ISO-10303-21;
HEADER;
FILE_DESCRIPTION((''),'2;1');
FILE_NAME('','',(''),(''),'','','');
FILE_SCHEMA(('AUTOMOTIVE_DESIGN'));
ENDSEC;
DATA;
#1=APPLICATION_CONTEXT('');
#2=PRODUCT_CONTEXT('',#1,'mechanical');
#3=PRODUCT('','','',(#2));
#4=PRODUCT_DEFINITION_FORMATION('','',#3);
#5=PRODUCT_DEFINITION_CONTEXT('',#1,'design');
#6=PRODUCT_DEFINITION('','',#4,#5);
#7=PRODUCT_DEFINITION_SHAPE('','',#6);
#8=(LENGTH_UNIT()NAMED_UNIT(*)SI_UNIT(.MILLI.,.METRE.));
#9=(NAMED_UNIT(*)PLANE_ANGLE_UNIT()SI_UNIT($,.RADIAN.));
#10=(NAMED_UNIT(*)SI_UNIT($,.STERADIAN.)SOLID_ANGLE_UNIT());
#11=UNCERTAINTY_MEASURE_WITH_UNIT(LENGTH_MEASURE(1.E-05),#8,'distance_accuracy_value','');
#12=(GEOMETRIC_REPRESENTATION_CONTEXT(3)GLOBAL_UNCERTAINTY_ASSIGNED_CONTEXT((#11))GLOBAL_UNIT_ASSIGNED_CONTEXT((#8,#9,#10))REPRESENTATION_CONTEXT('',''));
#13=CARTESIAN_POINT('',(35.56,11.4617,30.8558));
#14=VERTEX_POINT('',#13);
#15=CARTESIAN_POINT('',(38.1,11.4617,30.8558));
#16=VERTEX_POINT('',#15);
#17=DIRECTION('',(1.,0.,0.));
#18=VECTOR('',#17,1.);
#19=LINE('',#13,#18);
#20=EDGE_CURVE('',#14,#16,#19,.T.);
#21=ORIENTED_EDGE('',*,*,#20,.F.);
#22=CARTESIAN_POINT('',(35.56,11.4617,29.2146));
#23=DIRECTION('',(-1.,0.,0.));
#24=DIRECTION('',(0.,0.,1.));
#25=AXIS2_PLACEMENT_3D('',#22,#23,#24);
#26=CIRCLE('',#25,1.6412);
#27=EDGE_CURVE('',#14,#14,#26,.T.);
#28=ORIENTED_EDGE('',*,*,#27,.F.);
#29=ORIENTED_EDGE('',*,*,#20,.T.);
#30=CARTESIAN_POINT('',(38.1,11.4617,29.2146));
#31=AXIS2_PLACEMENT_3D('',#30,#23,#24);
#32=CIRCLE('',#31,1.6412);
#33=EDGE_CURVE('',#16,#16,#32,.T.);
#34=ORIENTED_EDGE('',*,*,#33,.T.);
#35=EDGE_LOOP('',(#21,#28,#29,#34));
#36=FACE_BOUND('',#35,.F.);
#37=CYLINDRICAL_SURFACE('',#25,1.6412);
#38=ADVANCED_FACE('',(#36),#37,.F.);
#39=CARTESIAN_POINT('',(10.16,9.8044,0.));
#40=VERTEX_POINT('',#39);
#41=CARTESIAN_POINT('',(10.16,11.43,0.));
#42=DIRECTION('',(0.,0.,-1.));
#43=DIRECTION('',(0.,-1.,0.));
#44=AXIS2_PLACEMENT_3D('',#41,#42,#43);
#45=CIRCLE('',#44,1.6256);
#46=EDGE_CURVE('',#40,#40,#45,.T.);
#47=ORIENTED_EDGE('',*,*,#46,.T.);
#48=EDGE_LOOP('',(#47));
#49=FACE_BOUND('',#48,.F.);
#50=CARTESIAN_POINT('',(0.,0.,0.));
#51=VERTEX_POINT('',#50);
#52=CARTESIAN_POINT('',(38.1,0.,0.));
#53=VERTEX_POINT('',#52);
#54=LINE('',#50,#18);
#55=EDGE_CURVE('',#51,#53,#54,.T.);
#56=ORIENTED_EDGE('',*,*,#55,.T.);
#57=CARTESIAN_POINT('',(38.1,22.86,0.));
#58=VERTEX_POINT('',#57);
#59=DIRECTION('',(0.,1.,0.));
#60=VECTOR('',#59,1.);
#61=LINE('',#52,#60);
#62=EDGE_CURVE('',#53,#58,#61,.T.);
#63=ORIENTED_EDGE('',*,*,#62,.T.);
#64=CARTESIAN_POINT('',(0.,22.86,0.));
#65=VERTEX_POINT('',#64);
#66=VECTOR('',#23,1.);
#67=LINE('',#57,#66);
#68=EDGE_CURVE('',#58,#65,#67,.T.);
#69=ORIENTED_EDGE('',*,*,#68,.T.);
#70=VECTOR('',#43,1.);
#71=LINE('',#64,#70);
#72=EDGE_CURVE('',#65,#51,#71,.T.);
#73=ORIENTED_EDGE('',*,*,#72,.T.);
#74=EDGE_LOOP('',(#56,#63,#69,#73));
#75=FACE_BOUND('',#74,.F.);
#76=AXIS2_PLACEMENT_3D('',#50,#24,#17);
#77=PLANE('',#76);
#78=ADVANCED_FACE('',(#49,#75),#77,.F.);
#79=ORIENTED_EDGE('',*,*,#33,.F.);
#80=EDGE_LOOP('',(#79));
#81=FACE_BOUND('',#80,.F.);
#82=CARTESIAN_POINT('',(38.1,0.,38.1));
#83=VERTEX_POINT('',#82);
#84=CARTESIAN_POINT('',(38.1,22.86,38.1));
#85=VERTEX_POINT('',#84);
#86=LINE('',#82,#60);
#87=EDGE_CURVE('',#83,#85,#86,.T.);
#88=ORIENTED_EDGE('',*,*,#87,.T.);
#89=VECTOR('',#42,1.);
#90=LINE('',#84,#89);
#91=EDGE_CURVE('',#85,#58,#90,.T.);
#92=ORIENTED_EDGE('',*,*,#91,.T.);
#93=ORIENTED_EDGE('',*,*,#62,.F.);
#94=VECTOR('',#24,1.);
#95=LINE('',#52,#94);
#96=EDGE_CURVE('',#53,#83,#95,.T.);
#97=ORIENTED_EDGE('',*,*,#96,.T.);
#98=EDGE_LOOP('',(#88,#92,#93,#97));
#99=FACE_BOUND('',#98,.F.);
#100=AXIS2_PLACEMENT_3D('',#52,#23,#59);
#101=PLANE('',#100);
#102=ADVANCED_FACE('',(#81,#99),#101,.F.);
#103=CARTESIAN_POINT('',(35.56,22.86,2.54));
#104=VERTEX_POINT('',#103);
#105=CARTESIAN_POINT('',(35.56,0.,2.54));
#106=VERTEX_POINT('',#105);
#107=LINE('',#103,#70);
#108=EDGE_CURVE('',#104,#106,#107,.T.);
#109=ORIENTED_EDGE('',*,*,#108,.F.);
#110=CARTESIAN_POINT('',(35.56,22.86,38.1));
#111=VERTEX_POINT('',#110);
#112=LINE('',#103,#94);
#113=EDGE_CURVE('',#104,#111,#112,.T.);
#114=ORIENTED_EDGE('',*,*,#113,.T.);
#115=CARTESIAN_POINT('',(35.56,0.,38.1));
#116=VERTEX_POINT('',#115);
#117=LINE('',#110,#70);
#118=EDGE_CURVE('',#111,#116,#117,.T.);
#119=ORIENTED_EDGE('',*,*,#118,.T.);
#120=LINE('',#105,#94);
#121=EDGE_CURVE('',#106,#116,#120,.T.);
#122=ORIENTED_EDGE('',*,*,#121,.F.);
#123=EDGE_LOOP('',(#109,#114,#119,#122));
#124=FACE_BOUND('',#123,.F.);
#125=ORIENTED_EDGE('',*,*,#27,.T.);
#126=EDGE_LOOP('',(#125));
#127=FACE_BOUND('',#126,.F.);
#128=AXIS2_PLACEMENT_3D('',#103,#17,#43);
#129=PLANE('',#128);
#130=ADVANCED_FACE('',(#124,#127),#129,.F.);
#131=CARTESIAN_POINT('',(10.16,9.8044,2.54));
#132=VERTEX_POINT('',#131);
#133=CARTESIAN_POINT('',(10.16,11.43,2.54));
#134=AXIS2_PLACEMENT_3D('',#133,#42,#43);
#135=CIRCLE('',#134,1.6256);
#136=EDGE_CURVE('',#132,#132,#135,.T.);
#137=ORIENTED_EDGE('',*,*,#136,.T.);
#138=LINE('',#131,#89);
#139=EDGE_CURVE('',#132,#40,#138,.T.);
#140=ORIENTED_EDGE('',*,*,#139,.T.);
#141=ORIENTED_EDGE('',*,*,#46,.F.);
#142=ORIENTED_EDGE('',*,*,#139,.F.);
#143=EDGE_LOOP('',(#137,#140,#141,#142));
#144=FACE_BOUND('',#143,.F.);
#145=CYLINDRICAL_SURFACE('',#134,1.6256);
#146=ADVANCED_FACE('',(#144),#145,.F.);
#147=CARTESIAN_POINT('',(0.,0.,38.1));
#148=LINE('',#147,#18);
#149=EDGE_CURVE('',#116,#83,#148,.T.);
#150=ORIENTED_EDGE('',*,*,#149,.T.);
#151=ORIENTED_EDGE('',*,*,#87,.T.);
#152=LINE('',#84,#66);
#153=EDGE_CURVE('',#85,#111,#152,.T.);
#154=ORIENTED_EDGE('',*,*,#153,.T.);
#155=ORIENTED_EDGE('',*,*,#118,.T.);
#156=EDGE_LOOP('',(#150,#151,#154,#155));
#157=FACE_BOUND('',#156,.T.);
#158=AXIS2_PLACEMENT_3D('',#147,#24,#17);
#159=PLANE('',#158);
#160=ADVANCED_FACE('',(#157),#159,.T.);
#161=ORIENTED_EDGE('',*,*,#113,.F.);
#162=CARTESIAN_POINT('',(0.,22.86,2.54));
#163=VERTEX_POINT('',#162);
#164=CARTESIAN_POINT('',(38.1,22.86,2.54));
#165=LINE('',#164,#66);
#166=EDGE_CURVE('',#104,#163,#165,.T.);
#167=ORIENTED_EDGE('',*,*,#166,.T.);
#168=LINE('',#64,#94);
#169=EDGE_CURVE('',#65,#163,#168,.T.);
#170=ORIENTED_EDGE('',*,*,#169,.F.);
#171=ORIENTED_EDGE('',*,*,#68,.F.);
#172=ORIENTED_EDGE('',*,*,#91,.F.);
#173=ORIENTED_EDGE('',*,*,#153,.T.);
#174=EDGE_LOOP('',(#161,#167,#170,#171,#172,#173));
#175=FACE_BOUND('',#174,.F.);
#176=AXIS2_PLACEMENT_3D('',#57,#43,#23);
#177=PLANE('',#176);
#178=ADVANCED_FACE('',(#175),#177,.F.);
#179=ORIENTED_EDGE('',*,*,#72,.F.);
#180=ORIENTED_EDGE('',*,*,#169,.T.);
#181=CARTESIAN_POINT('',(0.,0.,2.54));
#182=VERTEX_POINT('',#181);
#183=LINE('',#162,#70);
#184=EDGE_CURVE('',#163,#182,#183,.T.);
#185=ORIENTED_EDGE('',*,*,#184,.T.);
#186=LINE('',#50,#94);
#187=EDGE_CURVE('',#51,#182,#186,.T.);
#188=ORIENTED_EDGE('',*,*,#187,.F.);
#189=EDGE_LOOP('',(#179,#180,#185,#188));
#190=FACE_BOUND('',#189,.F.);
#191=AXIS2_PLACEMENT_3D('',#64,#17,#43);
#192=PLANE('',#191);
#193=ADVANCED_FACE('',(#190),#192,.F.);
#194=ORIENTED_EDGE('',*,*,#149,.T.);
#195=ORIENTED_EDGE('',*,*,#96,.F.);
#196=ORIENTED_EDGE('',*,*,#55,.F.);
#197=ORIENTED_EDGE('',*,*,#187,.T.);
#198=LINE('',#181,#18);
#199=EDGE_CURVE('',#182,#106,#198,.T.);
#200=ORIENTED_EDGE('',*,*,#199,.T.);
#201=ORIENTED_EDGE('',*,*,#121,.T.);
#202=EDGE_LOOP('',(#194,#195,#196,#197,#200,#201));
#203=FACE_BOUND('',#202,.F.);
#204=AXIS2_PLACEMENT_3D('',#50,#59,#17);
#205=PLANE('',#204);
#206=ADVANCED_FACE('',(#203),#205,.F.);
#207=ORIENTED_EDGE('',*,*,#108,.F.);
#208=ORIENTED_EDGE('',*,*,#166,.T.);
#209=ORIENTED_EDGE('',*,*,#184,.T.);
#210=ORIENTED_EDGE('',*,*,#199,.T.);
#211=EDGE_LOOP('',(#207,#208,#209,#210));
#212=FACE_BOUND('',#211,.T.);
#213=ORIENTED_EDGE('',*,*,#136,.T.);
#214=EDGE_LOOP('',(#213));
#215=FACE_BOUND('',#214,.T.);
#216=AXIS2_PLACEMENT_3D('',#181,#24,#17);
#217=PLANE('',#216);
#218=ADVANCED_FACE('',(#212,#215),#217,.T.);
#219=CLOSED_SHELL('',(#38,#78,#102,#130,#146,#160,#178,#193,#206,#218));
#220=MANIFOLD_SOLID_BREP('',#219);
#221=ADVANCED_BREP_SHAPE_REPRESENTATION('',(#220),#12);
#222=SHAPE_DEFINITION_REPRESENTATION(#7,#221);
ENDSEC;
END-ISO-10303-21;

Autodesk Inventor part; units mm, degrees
ref_plane "YZ Plane" through (0, 0, 0) normal (1, 0, 0) x (0, 1, 0)
ref_plane "XZ Plane" through (0, 0, 0) normal (0, 1, 0) x (-1, 0, 0)
ref_plane "XY Plane" through (0, 0, 0) normal (0, 0, 1) x (1, 0, 0)
sketch "Sketch1" plane through (0, 0, 0) normal (0, 0, 1) x (1, 0, 0)
  line L0 (0, 0) -> (38.1, 0)
  line L1 (38.1, 0) -> (38.1, 22.86)
  line L2 (38.1, 22.86) -> (0, 22.86)
  line L3 (0, 22.86) -> (0, 0)
  dimension "d0" = 22.86
  dimension "d1" = 38.1
extrude "Extrusion1" add sketch "Sketch1" along normal blind 2.54
sketch "Sketch2" plane through (0, 0, 2.54) normal (0, 0, 1) x (1, 0, 0)
  line L0 (0, 0) -> (38.1, 0) projected
  line L1 (38.1, 22.86) -> (35.56, 22.86)
  line L2 (35.56, 22.86) -> (35.56, 0)
  line L3 (35.56, 0) -> (38.1, 0)
  line L4 (38.1, 0) -> (38.1, 22.86)
  dimension "d4" = 2.54
extrude "Extrusion2" add sketch "Sketch2" along normal blind 35.56
sketch "Sketch4" plane through (0, 0, 2.54) normal (0, 0, 1) x (1, 0, 0)
  line L0 (-11.3987, 11.43) -> (43.7828, 11.43) construction
  line L1 (0, 0) -> (35.56, 0) construction
  line L2 (35.56, 0) -> (35.56, 22.86) construction
  line L3 (35.56, 22.86) -> (0, 22.86) construction
  line L4 (0, 22.86) -> (0, 0) construction
  line L5 (0, 0) -> (35.56, 0) construction
  point P0 (10.16, 11.43)
  dimension "d16" = 11.43
  dimension "d17" = 25.4
hole "Hole2" at (10.16, 11.43, 2.54) direction (0, 0, -1) diameter 3.2512 end through all
sketch "Sketch5" plane through (35.56, 0, 2.54) normal (-1, 0, 0) x (0, 0, 1)
  line L0 (25.4046, 11.4617) -> (26.6746, 11.4617)
  circle A0 centre (26.6746, 11.4617) radius 1.6412
  point P0 (-2.54, 0)
  dimension "d25" = 1.27
extrude "Extrusion3" cut sketch "Sketch5" against normal blind 25.4
properties part number "000102 (revised)"
